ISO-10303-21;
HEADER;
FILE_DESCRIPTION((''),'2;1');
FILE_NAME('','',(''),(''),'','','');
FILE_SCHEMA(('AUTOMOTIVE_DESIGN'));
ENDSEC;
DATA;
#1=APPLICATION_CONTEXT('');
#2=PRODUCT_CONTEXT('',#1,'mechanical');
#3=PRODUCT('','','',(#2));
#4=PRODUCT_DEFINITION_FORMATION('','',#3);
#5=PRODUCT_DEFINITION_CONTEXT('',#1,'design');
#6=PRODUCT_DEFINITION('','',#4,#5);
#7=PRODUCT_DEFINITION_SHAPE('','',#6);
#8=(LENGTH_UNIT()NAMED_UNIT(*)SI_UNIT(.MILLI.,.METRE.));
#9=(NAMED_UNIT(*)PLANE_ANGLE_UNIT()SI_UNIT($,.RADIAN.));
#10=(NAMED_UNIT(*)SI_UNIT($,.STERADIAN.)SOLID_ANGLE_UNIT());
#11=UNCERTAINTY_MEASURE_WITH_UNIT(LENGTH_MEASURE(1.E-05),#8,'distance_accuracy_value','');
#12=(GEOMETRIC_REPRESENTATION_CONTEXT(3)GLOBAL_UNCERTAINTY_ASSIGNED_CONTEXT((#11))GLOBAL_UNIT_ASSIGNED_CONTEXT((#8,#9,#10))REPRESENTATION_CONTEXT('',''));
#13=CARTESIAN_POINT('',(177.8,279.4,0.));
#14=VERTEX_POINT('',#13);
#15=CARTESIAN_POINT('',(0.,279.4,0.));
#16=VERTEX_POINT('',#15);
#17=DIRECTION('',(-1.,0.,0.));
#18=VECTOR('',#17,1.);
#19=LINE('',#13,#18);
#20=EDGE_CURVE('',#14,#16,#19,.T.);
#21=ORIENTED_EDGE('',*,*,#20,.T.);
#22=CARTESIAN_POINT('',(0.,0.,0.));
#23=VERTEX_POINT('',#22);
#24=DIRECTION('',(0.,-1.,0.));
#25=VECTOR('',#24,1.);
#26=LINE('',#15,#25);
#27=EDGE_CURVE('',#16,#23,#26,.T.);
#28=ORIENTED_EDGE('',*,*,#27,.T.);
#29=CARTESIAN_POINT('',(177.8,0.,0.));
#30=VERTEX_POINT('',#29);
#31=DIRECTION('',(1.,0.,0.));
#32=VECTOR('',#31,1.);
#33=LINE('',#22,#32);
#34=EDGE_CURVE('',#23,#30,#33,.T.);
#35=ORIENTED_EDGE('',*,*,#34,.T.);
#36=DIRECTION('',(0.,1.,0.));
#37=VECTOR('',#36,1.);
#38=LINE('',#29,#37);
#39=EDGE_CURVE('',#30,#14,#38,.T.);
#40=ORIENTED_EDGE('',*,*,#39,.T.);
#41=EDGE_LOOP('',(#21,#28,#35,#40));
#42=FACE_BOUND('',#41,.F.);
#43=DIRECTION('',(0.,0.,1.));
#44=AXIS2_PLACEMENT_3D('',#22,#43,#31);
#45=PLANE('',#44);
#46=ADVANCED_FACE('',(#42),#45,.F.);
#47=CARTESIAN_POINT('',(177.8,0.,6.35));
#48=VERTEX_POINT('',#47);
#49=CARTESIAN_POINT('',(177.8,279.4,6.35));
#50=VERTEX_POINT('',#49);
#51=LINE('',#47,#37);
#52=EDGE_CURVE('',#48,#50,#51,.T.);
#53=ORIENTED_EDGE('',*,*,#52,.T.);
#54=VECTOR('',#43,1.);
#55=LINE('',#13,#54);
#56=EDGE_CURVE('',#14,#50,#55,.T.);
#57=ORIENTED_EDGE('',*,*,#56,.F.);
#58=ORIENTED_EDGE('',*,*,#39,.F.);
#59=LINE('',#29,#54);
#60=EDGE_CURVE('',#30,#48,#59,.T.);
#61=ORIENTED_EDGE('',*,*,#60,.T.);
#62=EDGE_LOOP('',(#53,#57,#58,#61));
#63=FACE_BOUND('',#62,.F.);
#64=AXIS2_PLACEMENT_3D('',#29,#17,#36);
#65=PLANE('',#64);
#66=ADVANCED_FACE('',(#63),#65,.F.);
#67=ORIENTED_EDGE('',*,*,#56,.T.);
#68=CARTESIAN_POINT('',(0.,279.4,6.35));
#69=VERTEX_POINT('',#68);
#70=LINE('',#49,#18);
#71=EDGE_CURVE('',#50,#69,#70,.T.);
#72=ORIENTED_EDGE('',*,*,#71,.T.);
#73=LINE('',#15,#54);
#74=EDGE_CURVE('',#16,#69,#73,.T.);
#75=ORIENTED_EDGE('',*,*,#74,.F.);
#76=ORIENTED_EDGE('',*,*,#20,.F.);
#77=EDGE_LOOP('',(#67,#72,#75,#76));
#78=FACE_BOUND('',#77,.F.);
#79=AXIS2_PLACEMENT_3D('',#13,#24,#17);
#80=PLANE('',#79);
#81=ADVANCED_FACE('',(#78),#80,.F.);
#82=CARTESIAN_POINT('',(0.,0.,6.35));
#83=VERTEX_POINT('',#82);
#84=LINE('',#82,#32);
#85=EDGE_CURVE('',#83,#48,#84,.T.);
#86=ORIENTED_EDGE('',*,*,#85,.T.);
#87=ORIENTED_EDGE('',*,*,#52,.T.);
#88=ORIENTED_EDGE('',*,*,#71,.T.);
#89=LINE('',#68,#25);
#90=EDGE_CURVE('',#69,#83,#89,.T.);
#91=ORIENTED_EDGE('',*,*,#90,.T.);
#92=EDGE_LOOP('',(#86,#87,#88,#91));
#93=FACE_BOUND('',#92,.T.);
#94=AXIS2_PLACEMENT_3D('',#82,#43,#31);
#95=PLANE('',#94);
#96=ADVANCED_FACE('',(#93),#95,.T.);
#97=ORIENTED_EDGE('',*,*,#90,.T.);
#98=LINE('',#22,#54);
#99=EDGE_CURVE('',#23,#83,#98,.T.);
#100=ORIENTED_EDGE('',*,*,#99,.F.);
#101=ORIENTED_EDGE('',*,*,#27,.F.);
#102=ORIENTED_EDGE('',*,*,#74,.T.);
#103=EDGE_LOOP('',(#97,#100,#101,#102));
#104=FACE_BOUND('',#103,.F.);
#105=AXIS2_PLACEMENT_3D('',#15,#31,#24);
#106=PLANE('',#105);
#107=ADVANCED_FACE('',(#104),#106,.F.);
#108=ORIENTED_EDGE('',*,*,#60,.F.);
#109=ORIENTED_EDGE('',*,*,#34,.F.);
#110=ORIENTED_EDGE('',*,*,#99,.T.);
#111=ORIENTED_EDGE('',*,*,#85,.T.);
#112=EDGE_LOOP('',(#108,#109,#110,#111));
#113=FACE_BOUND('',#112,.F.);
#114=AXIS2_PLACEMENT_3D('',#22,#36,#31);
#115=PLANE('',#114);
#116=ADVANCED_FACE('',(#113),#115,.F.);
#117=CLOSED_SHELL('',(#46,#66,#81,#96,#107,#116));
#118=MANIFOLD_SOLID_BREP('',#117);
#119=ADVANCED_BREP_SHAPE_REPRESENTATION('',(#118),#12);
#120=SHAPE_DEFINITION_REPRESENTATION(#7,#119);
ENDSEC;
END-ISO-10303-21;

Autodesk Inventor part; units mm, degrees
ref_plane "YZ Plane" through (0, 0, 0) normal (1, 0, 0) x (0, 1, 0)
ref_plane "XZ Plane" through (0, 0, 0) normal (0, 1, 0) x (-1, 0, 0)
ref_plane "XY Plane" through (0, 0, 0) normal (0, 0, 1) x (1, 0, 0)
sketch "Sketch1" plane through (0, 0, 0) normal (0, 0, 1) x (1, 0, 0)
  line L0 (0, 0) -> (177.8, 0)
  line L1 (177.8, 0) -> (177.8, 279.4)
  line L2 (177.8, 279.4) -> (0, 279.4)
  line L3 (0, 279.4) -> (0, 0)
  dimension "d0" = 177.8
  dimension "d1" = 279.4
extrude "Extrusion1" add sketch "Sketch1" along normal blind 6.35
properties part number "ElectronicsPlate"
